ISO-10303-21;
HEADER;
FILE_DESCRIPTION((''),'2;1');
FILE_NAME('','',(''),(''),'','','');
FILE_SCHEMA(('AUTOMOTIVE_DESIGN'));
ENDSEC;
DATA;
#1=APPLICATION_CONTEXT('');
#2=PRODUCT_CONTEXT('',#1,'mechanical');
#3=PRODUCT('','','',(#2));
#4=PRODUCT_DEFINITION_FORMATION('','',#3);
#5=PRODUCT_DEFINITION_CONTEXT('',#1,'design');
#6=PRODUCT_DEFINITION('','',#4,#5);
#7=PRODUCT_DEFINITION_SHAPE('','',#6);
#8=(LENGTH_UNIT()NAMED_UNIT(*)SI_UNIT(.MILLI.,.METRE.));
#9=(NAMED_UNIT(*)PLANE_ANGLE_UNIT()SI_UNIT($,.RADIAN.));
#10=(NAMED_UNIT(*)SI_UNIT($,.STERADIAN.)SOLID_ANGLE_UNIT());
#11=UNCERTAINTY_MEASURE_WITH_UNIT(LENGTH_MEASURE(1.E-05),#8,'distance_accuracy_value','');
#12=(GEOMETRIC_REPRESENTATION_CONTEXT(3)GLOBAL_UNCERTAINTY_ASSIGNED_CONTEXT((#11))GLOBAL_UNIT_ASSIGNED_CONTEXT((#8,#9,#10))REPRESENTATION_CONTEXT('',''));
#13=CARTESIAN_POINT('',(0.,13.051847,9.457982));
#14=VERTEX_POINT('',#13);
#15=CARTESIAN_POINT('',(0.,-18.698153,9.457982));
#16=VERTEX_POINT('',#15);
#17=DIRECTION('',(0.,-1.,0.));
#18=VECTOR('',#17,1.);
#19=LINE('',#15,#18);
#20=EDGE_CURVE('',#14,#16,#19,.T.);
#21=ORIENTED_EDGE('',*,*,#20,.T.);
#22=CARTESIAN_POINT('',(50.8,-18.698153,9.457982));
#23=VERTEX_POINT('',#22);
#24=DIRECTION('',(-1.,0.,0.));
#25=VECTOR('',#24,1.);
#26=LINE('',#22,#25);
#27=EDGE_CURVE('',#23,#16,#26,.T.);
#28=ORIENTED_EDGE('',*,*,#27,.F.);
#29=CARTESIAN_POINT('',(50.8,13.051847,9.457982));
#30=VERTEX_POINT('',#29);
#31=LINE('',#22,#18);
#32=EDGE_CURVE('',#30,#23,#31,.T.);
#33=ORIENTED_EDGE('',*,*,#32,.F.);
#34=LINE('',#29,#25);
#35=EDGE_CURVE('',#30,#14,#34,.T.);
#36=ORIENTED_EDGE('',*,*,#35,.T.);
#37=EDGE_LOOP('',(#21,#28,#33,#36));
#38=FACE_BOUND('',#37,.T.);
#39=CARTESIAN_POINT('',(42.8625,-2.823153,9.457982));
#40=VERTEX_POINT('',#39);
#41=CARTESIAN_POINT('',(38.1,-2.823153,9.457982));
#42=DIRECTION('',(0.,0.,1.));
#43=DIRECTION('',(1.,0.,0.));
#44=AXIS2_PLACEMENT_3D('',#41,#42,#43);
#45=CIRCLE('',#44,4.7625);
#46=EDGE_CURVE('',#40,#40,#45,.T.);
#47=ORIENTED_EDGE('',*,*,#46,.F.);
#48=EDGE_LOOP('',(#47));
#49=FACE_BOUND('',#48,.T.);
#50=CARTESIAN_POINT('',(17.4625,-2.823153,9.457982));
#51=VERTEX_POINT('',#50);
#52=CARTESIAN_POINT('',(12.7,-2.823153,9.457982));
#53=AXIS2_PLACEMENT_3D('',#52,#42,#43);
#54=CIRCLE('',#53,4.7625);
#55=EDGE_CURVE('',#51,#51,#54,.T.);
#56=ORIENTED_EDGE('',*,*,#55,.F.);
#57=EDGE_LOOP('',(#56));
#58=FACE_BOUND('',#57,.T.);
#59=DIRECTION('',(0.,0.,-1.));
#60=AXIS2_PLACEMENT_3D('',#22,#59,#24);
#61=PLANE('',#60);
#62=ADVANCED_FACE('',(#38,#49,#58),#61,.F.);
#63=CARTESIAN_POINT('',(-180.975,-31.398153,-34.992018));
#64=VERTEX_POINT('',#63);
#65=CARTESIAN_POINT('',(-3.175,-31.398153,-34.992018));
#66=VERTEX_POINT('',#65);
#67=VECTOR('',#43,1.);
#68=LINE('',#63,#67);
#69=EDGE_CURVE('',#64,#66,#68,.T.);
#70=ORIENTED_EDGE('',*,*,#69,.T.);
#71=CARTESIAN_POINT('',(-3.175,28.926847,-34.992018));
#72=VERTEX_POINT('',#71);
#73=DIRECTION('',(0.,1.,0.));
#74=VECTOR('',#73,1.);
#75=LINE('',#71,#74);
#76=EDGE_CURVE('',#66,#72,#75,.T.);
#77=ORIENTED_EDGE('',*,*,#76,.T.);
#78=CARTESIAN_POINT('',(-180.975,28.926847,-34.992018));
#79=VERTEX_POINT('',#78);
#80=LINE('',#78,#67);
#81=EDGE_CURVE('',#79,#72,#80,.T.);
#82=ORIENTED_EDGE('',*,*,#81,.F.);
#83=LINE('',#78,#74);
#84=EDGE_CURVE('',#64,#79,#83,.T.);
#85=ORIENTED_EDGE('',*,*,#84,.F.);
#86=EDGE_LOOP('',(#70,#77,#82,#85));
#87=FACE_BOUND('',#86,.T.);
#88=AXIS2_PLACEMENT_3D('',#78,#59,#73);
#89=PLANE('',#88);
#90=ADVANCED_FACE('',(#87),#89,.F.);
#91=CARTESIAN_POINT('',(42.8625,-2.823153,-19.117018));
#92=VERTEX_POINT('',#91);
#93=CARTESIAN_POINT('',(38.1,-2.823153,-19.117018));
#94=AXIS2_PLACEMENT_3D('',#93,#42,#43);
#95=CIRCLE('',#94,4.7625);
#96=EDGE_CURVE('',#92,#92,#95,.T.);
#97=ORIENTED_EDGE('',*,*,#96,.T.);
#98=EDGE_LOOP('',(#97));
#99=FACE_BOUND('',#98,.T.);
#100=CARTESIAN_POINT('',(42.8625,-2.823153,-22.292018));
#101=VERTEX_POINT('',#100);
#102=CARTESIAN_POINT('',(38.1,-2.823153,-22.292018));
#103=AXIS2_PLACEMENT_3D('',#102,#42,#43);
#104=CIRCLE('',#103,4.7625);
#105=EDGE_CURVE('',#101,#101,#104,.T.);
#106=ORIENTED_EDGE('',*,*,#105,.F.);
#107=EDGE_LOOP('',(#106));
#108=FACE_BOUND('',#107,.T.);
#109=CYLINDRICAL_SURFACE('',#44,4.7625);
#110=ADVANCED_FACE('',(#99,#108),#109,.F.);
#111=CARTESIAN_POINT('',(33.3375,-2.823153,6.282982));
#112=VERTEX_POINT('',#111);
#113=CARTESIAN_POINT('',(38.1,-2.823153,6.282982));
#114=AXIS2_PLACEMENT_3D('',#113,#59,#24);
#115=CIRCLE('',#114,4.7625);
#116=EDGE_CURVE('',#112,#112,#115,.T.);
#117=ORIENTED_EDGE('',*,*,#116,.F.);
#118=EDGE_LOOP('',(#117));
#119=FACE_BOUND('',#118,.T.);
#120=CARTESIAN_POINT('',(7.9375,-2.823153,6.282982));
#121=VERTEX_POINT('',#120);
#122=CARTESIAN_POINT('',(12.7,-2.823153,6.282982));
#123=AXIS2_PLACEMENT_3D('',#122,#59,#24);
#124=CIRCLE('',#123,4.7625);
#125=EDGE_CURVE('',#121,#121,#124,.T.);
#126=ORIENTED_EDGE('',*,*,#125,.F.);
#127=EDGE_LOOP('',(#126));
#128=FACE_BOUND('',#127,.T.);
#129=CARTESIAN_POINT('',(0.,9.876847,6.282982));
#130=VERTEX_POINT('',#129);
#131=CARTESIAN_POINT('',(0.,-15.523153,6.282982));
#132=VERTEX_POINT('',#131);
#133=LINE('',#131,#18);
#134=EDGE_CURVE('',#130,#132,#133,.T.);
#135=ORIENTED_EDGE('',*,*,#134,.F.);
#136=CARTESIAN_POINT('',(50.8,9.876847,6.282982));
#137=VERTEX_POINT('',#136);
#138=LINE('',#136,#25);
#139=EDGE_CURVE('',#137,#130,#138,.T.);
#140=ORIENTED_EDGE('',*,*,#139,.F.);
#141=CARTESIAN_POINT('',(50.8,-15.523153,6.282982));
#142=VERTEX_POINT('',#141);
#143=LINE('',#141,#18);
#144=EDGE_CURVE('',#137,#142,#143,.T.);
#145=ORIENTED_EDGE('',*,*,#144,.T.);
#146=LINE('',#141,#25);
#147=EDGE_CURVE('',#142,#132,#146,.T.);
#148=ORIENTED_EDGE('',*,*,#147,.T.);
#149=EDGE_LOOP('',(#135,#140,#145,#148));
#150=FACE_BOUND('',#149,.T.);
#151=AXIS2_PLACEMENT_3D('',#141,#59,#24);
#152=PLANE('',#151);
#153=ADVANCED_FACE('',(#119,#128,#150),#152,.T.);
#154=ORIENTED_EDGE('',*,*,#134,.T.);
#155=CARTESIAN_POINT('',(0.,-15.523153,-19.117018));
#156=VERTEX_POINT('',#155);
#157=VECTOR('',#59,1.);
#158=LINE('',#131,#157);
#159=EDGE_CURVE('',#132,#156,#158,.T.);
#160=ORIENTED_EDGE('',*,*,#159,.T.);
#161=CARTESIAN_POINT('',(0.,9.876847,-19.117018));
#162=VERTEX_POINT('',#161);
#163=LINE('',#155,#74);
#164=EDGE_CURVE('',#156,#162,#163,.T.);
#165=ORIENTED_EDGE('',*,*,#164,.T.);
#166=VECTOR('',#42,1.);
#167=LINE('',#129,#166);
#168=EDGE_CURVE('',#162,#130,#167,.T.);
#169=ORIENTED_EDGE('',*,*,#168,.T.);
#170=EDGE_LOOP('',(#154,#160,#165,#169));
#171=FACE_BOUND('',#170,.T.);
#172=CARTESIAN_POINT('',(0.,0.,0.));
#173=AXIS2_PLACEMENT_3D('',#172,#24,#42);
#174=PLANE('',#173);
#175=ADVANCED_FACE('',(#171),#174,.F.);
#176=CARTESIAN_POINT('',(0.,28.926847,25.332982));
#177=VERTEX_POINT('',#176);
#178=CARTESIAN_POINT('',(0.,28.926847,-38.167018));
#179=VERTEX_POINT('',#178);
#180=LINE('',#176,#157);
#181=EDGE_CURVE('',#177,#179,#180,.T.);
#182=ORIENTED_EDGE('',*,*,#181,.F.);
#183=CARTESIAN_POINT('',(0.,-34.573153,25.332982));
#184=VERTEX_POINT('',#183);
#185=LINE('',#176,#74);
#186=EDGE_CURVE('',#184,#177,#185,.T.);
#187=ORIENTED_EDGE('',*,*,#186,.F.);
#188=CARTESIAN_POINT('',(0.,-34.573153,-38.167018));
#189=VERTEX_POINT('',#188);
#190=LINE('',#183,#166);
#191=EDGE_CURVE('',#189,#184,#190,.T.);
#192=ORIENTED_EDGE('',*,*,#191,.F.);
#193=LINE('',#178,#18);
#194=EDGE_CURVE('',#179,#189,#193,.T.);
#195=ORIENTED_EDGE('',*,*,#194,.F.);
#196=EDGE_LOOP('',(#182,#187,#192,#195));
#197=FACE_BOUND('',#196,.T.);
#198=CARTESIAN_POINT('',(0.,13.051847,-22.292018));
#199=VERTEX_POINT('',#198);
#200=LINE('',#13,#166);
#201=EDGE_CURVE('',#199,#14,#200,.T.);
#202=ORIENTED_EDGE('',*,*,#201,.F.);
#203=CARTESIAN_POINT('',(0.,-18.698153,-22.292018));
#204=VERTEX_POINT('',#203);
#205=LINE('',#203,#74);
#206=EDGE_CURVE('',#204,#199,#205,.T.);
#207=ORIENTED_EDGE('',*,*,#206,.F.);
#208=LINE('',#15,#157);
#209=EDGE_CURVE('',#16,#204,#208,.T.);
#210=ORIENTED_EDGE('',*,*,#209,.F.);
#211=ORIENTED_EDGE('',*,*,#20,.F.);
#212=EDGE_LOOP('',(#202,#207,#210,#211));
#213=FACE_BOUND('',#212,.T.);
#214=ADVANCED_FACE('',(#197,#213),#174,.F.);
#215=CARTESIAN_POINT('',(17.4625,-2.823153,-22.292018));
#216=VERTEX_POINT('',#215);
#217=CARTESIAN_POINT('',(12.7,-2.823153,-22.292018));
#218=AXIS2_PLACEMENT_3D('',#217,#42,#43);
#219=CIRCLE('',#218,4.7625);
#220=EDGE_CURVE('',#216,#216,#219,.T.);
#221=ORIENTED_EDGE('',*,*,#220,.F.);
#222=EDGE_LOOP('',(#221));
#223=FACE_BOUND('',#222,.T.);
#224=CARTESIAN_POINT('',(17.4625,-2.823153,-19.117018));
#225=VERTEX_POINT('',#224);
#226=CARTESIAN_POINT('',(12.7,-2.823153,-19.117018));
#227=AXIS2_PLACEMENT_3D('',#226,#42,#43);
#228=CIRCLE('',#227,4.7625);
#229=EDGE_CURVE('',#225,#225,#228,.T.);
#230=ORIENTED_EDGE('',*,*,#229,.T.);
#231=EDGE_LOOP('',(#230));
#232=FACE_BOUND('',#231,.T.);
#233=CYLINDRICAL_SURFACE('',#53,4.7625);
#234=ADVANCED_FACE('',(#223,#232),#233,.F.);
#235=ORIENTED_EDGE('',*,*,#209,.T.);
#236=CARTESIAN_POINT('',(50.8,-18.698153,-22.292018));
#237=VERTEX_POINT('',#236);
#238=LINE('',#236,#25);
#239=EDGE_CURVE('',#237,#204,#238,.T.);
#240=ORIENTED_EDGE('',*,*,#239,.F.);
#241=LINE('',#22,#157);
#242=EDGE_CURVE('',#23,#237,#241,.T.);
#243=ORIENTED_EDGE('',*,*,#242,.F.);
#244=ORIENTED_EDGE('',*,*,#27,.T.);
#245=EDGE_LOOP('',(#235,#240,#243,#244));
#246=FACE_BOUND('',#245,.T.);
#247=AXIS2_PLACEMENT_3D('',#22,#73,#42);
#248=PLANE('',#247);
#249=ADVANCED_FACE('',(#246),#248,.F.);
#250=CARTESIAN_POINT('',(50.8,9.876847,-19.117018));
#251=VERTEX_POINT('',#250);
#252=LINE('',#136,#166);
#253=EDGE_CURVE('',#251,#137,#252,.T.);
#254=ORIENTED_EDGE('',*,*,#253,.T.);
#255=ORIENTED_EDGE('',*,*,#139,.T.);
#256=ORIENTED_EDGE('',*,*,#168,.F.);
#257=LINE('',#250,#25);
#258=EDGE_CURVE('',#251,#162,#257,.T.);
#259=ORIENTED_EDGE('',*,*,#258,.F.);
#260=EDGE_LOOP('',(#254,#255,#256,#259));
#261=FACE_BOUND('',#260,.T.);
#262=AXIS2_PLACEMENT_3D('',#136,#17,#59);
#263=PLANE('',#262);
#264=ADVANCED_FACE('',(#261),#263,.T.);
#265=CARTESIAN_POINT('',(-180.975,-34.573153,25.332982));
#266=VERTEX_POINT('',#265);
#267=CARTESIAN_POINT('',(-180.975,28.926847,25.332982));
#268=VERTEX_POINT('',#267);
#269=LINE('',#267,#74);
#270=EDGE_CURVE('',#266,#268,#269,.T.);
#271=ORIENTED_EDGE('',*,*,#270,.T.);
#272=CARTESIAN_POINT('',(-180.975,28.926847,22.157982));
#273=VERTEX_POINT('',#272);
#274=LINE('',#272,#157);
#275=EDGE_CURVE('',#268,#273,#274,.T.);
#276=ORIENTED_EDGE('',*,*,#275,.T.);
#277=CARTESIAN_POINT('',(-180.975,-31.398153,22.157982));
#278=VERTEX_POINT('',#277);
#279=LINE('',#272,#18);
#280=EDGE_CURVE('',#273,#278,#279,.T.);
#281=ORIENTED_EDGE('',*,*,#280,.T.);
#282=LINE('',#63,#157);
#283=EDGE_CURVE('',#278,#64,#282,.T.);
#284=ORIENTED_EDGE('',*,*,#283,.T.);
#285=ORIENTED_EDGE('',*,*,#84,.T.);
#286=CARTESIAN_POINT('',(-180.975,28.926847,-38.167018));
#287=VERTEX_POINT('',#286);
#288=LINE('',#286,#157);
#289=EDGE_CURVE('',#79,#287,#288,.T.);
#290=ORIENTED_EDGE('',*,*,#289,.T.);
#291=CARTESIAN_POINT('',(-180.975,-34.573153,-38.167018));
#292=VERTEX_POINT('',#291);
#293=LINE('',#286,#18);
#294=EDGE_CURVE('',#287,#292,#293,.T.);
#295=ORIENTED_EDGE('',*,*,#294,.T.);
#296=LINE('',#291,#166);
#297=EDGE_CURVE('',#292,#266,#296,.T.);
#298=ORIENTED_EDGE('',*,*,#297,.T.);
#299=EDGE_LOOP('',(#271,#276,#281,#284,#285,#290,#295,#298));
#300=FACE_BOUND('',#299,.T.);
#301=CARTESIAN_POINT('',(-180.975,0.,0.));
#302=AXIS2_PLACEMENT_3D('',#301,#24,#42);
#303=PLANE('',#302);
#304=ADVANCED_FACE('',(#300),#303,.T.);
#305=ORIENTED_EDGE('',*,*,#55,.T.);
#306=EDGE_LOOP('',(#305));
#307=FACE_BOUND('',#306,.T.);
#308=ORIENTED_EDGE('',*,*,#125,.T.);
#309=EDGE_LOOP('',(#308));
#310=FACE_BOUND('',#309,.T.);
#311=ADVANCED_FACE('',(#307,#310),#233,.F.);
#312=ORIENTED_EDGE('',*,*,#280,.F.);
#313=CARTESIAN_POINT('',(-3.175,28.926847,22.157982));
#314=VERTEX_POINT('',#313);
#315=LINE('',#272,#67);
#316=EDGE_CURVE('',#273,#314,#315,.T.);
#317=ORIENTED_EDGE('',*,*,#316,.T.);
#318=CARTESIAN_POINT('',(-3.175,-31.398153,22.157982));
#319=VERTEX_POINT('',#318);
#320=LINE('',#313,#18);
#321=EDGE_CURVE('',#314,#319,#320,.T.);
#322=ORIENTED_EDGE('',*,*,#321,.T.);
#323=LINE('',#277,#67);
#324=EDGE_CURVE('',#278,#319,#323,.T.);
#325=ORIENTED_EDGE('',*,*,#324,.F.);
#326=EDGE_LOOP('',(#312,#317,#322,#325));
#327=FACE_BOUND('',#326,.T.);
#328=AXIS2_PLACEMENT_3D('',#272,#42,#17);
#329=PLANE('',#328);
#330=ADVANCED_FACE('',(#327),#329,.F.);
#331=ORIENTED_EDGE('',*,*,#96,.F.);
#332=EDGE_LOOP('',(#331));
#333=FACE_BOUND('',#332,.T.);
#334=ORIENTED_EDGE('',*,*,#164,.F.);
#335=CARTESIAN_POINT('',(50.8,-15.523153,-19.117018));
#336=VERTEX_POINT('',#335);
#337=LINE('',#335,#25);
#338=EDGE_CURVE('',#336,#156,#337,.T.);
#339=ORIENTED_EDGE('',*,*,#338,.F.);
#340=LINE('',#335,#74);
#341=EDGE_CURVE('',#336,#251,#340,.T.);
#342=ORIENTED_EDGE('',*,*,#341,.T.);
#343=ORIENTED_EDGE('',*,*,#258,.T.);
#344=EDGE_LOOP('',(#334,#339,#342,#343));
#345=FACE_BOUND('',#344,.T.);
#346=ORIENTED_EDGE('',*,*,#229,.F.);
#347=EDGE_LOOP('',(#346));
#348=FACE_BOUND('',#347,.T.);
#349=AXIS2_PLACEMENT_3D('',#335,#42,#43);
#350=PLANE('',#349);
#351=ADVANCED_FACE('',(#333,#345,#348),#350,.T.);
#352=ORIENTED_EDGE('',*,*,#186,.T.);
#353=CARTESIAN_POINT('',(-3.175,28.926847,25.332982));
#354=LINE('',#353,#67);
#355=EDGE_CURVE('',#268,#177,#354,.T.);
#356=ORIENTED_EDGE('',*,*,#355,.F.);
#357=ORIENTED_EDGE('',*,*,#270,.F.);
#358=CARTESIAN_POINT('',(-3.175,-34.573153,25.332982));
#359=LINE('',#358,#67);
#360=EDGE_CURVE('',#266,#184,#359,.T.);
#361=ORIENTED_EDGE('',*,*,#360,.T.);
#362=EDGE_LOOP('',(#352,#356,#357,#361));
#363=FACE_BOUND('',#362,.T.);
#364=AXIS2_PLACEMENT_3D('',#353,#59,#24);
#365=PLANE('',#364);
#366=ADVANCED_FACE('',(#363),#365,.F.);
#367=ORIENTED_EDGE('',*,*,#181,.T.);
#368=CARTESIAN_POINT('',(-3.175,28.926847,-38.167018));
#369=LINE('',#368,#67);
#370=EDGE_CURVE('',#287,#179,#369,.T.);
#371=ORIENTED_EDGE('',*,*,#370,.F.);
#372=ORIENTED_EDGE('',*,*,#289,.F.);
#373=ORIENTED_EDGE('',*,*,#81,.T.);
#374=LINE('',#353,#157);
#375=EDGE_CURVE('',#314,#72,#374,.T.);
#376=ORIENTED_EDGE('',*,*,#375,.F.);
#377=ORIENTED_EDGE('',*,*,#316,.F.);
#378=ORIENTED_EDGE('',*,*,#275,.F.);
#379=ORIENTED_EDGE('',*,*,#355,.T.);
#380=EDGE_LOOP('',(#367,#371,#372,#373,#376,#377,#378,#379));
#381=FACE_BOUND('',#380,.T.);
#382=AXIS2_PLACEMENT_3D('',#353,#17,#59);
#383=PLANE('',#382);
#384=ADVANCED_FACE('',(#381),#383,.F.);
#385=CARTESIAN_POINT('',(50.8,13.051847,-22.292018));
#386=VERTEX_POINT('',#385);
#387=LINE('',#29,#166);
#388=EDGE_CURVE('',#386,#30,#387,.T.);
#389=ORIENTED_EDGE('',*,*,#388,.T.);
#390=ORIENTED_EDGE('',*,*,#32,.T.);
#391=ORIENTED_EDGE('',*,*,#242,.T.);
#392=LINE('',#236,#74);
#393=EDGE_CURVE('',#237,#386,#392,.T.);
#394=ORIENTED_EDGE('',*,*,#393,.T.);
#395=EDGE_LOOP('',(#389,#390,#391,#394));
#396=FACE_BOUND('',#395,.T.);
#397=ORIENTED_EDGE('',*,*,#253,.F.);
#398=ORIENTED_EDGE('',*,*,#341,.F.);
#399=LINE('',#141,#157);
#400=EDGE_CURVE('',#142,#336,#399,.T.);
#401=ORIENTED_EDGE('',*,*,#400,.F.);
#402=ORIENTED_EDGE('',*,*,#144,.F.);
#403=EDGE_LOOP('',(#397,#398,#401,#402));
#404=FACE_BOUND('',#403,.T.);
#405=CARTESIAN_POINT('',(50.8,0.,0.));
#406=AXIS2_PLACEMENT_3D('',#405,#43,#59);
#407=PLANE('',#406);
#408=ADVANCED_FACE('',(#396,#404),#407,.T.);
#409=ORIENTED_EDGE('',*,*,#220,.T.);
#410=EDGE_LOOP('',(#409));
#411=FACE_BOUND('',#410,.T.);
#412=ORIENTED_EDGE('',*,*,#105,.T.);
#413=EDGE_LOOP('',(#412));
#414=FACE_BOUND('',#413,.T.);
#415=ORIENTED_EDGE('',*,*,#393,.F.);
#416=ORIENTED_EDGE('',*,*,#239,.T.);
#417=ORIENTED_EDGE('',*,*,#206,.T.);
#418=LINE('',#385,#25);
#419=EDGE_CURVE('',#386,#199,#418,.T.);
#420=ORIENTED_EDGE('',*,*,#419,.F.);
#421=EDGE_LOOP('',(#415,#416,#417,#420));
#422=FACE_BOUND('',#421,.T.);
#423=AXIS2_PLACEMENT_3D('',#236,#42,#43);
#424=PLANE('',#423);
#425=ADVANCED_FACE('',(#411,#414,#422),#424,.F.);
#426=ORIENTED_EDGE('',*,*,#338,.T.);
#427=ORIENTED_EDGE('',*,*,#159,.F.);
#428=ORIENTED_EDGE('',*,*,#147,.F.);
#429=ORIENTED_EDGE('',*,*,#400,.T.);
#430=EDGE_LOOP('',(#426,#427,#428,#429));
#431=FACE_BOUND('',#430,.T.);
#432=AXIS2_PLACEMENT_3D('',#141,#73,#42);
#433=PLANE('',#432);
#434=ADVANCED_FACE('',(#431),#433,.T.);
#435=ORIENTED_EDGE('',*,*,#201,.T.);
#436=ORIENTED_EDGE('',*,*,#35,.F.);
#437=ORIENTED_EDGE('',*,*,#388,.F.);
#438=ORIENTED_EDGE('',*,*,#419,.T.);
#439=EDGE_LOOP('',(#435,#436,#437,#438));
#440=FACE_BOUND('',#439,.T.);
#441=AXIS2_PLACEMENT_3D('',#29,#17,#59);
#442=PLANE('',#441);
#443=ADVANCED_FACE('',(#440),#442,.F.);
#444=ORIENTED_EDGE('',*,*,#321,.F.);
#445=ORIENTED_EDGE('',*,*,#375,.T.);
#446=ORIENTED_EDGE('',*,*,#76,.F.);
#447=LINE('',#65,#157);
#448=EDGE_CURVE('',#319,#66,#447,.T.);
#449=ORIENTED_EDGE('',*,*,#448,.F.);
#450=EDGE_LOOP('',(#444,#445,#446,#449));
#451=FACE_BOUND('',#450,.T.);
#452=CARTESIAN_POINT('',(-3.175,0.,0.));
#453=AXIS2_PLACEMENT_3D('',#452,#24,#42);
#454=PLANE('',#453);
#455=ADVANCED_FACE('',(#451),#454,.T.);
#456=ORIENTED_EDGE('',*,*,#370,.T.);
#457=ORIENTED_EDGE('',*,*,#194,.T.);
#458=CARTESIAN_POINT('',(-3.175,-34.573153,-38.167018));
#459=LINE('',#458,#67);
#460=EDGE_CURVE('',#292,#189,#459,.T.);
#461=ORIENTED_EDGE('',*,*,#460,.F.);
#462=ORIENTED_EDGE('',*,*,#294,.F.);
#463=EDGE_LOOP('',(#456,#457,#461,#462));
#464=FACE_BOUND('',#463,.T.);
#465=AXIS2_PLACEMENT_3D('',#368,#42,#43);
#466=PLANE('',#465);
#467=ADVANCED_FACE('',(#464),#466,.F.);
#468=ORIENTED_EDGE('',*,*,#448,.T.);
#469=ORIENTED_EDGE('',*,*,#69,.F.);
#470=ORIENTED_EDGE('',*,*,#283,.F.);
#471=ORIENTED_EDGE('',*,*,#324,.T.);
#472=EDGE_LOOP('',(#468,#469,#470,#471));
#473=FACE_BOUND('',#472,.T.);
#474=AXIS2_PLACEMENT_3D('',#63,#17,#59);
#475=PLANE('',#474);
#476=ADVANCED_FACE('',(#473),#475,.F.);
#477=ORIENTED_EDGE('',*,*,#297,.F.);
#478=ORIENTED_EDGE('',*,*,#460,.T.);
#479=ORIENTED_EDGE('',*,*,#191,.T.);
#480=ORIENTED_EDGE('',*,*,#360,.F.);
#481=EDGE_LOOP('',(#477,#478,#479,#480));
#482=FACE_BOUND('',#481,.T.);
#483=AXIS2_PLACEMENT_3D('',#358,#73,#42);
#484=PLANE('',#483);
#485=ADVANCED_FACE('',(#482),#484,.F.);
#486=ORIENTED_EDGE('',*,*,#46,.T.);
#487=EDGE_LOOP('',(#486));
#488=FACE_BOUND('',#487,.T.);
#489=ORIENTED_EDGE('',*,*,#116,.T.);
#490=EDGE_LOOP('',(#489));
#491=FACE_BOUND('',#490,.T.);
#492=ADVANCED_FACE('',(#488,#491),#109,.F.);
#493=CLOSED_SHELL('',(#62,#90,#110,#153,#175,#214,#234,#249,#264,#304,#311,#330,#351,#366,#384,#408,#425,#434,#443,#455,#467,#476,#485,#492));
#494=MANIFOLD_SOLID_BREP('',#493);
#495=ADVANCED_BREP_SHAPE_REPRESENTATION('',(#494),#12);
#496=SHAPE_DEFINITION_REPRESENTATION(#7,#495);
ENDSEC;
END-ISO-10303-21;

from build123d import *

# Parameters (mm, degrees)
SKETCH1_W                       = 31.75
SKETCH1_H                       = 31.75
SKETCH1_W_2                     = 25.4
SKETCH1_H_2                     = 25.4
BOSS_EXTRUDE1_DEPTH             = 50.8
SKETCH2_W                       = 63.5
SKETCH2_H                       = 63.5
BOSS_EXTRUDE2_DEPTH             = 3.175
F_97_0_375_DIAMETER_HOLE1_D     = 9.525
F_97_0_375_DIAMETER_HOLE1_DEPTH = 76.2
BOSS_EXTRUDE3_DEPTH             = 177.8


with BuildPart() as part:
    # Sketch1 → Boss-Extrude1 (new body)
    with BuildSketch(Plane.YZ):
        with Locations((-2.823153034, -6.41701847)):
            Rectangle(SKETCH1_W, SKETCH1_H)
        with Locations((-2.823153034, -6.41701847)):
            Rectangle(SKETCH1_W_2, SKETCH1_H_2, mode=Mode.SUBTRACT)
    extrude(amount=BOSS_EXTRUDE1_DEPTH)

    # Sketch2 → Boss-Extrude2 (add)
    with BuildSketch(Plane(origin=(0, 0, 0), x_dir=(0, -1, 0), z_dir=(-1, 0, 0))):
        with Locations((2.823153034, -6.41701847)):
            Rectangle(SKETCH2_W, SKETCH2_H)
    extrude(amount=BOSS_EXTRUDE2_DEPTH)

    # #97 (0.375) Diameter Hole1
    with Locations(Plane.XY.offset(9.45798153)):
        with Locations((38.1, -2.823153034), (12.7, -2.823153034)):
            Hole(F_97_0_375_DIAMETER_HOLE1_D / 2, depth=F_97_0_375_DIAMETER_HOLE1_DEPTH)

    # Sketch7 → Boss-Extrude3 (add)
    with BuildSketch(Plane.ZY.offset(3.175)):
        Polygon((-38.16701847, 28.926846966), (-34.99201847, 28.926846966), (-34.99201847, -31.398153034), (22.15798153, -31.398153034), (22.15798153, 28.926846966), (25.33298153, 28.926846966), (25.33298153, -34.573153034), (-38.16701847, -34.573153034), align=None)
    extrude(amount=BOSS_EXTRUDE3_DEPTH)


solid = part.part
